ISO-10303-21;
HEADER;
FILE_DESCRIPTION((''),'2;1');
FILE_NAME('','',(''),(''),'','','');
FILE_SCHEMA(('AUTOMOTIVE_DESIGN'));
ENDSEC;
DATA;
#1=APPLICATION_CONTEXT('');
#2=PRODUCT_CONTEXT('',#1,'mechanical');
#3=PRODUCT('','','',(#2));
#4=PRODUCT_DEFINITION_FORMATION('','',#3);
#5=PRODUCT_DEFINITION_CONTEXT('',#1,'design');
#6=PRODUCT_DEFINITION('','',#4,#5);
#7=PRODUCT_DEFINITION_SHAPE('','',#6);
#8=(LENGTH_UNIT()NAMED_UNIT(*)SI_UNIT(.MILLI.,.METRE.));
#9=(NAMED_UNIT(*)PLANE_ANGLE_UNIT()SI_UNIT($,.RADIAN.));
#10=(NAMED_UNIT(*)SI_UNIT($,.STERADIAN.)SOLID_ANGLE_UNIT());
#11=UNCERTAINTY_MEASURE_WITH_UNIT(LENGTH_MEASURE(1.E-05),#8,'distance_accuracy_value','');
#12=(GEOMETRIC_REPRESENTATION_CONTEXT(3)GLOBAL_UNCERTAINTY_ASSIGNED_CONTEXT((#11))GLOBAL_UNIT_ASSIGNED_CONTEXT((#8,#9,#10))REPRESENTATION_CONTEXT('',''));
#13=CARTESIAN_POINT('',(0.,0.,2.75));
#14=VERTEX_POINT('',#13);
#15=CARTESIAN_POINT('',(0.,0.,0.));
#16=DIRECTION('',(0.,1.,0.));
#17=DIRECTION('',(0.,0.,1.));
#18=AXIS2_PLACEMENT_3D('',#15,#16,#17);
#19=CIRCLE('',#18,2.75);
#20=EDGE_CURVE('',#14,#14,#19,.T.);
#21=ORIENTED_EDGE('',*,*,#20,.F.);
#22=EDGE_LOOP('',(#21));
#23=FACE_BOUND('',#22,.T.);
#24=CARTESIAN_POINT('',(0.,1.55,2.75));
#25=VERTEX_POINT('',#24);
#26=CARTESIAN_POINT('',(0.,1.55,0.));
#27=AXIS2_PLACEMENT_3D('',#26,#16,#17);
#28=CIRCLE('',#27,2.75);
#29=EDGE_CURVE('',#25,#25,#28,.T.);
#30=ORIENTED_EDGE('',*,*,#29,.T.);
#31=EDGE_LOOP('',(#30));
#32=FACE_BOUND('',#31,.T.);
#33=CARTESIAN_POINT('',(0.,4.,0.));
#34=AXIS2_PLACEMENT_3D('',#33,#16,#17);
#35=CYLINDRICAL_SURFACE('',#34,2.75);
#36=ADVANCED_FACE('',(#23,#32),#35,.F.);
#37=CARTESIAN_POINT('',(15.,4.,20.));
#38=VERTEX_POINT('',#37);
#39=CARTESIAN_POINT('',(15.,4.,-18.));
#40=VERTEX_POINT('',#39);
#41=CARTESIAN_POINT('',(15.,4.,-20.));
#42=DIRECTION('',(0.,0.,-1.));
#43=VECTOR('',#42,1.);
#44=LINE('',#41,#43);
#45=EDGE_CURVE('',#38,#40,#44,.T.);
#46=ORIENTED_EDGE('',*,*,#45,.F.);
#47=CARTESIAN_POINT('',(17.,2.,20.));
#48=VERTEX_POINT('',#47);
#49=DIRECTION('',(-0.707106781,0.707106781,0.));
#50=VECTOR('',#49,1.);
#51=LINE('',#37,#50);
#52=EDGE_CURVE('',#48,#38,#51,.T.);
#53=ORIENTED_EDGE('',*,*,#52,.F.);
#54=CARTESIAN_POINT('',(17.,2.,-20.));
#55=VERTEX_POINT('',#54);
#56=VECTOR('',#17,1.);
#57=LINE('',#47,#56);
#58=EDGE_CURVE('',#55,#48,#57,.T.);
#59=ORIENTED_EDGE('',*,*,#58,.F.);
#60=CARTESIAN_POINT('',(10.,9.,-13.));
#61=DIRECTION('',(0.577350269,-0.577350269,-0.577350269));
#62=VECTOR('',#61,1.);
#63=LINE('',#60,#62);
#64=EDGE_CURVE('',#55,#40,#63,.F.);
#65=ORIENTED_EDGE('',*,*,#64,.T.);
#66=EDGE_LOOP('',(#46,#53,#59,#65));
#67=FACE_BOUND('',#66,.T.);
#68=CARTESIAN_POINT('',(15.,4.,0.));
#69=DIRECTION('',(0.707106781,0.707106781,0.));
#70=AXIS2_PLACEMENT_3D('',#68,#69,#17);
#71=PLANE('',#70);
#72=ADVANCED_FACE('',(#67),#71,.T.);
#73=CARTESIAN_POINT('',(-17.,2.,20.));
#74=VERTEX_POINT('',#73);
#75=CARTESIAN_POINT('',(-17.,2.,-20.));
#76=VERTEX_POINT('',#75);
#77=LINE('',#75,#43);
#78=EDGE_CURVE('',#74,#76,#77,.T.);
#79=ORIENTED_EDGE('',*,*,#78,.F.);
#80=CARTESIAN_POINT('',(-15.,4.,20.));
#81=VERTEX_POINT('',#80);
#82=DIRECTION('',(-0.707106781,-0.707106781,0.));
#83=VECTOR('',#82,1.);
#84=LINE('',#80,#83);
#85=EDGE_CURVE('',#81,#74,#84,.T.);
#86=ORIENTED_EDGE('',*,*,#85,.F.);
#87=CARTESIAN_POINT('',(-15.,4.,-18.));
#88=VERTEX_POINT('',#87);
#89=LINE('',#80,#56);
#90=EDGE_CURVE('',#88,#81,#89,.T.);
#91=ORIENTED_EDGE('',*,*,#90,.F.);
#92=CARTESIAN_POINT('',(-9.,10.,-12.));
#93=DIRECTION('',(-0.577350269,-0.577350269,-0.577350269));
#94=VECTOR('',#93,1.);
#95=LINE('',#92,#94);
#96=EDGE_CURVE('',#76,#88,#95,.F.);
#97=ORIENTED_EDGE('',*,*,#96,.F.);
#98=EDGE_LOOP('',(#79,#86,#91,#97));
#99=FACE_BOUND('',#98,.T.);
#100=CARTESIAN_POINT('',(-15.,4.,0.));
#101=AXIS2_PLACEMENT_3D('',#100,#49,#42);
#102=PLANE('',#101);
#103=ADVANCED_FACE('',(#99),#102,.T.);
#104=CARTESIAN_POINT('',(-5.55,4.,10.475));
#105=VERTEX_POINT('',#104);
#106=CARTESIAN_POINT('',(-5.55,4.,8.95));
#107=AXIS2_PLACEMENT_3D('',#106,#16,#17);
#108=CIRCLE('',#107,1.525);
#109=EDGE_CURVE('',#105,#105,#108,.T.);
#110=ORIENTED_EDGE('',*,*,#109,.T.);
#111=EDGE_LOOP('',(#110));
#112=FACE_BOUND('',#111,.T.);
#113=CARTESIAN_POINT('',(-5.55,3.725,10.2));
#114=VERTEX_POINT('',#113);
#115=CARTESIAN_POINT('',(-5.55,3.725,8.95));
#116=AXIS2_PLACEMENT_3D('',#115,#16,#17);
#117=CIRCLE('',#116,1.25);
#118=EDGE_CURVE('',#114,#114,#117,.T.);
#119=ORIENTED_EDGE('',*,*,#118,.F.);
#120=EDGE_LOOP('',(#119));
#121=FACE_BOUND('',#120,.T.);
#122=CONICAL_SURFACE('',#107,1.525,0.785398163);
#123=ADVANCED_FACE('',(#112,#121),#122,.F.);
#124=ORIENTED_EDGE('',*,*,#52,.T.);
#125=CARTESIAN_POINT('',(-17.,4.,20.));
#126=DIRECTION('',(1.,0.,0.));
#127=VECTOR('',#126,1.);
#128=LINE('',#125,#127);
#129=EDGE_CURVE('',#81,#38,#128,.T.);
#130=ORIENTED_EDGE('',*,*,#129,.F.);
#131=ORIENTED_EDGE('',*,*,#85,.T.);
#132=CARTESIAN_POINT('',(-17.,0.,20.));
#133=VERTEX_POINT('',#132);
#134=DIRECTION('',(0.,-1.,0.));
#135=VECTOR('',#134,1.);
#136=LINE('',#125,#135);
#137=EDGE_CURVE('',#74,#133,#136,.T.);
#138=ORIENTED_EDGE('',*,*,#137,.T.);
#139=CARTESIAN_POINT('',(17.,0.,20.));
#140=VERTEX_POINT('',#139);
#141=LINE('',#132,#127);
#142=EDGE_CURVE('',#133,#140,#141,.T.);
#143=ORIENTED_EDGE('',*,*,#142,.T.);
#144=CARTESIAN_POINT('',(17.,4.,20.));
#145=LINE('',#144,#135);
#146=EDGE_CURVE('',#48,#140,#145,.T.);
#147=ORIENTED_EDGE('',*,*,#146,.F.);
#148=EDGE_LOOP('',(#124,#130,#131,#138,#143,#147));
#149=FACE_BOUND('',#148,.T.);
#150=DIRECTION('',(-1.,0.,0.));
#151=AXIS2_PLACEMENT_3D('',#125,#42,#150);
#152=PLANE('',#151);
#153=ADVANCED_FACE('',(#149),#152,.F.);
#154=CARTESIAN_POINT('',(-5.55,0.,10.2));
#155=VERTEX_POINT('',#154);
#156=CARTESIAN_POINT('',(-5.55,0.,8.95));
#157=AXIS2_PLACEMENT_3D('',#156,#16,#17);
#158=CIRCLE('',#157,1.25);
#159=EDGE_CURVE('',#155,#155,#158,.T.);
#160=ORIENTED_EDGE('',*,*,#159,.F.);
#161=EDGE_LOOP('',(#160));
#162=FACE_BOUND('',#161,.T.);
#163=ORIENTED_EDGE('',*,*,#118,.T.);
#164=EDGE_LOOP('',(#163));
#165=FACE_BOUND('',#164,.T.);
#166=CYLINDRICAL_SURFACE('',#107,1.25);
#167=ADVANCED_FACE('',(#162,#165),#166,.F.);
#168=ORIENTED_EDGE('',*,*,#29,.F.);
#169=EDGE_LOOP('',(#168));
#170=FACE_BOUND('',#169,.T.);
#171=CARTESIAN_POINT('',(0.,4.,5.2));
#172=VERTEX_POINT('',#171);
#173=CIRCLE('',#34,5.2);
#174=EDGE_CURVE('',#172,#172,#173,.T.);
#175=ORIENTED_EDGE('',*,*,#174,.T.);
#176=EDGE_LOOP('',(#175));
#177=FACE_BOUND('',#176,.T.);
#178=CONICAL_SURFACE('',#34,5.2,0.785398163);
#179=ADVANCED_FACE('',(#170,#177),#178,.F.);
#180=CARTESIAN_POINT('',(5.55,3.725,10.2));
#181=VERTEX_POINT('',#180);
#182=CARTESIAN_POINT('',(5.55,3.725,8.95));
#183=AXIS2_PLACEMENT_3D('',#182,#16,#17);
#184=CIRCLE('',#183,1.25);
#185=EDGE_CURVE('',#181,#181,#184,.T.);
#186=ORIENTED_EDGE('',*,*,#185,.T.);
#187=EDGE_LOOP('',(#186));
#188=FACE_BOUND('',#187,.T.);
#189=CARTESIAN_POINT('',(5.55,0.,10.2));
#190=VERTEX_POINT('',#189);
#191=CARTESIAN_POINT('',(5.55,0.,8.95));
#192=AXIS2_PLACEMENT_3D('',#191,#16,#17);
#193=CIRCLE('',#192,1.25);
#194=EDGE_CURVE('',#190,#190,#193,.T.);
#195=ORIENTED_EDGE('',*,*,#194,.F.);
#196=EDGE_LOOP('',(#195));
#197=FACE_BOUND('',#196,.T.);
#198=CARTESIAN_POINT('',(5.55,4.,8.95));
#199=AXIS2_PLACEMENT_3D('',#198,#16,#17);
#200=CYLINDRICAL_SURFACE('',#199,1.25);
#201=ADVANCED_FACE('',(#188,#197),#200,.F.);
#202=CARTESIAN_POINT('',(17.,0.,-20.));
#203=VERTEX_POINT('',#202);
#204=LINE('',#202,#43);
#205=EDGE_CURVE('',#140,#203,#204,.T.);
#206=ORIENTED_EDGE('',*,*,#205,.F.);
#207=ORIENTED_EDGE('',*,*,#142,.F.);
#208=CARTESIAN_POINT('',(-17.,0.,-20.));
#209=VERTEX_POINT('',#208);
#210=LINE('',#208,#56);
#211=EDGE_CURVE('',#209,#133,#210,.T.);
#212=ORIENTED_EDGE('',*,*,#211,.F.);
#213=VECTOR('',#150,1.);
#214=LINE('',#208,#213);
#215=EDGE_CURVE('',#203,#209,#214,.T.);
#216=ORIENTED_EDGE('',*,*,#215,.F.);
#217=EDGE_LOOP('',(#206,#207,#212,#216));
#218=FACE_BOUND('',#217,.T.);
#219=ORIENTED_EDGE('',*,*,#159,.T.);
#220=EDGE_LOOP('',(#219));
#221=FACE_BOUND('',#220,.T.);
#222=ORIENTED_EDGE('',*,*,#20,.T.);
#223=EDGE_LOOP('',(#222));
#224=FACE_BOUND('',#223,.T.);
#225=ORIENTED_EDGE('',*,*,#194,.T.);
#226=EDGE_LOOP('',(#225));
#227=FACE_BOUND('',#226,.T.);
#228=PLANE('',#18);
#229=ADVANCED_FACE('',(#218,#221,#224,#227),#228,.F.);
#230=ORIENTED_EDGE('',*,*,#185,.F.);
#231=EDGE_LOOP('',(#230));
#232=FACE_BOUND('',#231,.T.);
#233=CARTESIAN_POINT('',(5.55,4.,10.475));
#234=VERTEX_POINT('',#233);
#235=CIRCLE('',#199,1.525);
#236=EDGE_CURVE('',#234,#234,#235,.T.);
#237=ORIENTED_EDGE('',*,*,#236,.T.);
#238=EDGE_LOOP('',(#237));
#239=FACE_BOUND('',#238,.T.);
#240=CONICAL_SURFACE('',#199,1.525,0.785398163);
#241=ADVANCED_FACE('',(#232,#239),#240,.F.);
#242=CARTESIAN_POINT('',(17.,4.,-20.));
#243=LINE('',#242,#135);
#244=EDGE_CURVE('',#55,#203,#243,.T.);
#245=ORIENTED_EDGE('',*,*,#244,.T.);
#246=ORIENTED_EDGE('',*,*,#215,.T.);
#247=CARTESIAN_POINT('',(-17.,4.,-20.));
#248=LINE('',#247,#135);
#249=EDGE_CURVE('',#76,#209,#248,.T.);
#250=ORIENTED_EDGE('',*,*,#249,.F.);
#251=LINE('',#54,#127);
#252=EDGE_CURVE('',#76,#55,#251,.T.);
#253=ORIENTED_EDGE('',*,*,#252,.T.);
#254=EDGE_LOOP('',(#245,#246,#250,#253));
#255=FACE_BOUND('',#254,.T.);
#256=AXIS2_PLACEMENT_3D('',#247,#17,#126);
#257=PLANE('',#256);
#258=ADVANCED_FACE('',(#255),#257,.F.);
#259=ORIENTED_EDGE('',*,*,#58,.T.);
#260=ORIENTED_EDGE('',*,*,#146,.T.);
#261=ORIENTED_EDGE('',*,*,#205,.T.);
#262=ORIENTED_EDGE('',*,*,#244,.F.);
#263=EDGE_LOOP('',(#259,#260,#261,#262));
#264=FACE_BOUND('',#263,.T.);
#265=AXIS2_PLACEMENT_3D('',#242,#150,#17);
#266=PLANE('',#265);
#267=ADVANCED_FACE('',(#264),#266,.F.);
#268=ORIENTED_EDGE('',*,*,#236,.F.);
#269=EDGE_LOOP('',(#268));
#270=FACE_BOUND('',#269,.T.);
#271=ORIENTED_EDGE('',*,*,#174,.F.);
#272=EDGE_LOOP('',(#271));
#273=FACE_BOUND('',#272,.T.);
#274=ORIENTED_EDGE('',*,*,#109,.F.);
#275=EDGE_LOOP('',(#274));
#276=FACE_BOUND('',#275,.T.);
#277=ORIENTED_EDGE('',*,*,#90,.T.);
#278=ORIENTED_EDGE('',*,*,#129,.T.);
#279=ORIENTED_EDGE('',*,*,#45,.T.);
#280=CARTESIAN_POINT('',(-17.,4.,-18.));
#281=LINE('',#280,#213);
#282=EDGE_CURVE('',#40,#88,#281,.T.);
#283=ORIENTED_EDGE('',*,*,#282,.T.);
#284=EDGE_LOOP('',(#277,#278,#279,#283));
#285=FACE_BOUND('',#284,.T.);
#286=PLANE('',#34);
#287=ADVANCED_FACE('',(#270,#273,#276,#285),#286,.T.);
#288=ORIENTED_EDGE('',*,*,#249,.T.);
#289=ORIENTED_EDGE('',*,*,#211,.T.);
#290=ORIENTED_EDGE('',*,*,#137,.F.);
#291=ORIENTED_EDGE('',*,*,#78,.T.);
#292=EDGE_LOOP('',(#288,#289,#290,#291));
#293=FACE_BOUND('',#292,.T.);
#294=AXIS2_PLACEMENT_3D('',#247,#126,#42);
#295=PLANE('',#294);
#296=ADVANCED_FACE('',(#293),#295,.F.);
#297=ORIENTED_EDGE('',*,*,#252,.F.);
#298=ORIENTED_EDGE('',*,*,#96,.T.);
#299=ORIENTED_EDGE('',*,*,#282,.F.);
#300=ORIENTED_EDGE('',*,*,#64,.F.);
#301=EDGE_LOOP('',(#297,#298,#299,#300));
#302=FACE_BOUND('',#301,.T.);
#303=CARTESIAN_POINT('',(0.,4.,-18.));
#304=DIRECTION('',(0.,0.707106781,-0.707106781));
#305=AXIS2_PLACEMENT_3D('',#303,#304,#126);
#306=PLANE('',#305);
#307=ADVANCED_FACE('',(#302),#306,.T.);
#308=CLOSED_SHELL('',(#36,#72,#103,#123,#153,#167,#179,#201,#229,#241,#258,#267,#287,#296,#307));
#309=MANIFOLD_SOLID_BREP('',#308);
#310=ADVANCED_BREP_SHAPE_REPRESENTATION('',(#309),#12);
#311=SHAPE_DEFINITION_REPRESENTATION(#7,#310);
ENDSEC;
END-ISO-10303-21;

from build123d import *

# Parameters (mm, degrees)
SKETCH_1_W                   = 34
SKETCH_1_H                   = 40
EXTRUDE_293_DEPTH            = 4
HOLE_WIZARD_1122_D           = 2.5
HOLE_WIZARD_1122_CSINK_D     = 3.05
HOLE_WIZARD_1122_CSINK_ANGLE = 90
CHAMFER_1_SIZE               = 2


with BuildPart() as part:
    # Эскиз1 → Extrude 293 (new body)
    with BuildSketch(Plane(origin=(0, 0, 0), x_dir=(1, 0, 0), z_dir=(0, 1, 0))):
        Rectangle(SKETCH_1_W, SKETCH_1_H)
    extrude(amount=EXTRUDE_293_DEPTH)

    # Эскиз3 → Крепление к профилю 40 - M5 (revolve, cut)
    with BuildSketch(Plane(origin=(0, 4, 0), x_dir=(0, 0, 1), z_dir=(1, 0, 0))):
        Polygon((0, 0), (0, 4), (2.75, 4), (2.75, 2.45), (5.2, 0), align=None)
    revolve(axis=Axis((0, 10.35, 0), (0, -1, 0)), mode=Mode.SUBTRACT)

    # Hole Wizard 1122 (through all)
    with Locations(Plane(origin=(0, 4, 0), x_dir=(-1, 0, 0), z_dir=(0, 1, 0))):
        with Locations((5.55, 8.95), (-5.55, 8.95)):
            CounterSinkHole(HOLE_WIZARD_1122_D / 2, HOLE_WIZARD_1122_CSINK_D / 2, counter_sink_angle=HOLE_WIZARD_1122_CSINK_ANGLE)

    # Фаска1
    chamfer_1_edges = [part.edges().sort_by_distance(p)[0] for p in [
        (-17, 4, 0),
        (17, 4, 0),
        (0, 4, -20),
    ]]
    chamfer(chamfer_1_edges, length=CHAMFER_1_SIZE)


solid = part.part
